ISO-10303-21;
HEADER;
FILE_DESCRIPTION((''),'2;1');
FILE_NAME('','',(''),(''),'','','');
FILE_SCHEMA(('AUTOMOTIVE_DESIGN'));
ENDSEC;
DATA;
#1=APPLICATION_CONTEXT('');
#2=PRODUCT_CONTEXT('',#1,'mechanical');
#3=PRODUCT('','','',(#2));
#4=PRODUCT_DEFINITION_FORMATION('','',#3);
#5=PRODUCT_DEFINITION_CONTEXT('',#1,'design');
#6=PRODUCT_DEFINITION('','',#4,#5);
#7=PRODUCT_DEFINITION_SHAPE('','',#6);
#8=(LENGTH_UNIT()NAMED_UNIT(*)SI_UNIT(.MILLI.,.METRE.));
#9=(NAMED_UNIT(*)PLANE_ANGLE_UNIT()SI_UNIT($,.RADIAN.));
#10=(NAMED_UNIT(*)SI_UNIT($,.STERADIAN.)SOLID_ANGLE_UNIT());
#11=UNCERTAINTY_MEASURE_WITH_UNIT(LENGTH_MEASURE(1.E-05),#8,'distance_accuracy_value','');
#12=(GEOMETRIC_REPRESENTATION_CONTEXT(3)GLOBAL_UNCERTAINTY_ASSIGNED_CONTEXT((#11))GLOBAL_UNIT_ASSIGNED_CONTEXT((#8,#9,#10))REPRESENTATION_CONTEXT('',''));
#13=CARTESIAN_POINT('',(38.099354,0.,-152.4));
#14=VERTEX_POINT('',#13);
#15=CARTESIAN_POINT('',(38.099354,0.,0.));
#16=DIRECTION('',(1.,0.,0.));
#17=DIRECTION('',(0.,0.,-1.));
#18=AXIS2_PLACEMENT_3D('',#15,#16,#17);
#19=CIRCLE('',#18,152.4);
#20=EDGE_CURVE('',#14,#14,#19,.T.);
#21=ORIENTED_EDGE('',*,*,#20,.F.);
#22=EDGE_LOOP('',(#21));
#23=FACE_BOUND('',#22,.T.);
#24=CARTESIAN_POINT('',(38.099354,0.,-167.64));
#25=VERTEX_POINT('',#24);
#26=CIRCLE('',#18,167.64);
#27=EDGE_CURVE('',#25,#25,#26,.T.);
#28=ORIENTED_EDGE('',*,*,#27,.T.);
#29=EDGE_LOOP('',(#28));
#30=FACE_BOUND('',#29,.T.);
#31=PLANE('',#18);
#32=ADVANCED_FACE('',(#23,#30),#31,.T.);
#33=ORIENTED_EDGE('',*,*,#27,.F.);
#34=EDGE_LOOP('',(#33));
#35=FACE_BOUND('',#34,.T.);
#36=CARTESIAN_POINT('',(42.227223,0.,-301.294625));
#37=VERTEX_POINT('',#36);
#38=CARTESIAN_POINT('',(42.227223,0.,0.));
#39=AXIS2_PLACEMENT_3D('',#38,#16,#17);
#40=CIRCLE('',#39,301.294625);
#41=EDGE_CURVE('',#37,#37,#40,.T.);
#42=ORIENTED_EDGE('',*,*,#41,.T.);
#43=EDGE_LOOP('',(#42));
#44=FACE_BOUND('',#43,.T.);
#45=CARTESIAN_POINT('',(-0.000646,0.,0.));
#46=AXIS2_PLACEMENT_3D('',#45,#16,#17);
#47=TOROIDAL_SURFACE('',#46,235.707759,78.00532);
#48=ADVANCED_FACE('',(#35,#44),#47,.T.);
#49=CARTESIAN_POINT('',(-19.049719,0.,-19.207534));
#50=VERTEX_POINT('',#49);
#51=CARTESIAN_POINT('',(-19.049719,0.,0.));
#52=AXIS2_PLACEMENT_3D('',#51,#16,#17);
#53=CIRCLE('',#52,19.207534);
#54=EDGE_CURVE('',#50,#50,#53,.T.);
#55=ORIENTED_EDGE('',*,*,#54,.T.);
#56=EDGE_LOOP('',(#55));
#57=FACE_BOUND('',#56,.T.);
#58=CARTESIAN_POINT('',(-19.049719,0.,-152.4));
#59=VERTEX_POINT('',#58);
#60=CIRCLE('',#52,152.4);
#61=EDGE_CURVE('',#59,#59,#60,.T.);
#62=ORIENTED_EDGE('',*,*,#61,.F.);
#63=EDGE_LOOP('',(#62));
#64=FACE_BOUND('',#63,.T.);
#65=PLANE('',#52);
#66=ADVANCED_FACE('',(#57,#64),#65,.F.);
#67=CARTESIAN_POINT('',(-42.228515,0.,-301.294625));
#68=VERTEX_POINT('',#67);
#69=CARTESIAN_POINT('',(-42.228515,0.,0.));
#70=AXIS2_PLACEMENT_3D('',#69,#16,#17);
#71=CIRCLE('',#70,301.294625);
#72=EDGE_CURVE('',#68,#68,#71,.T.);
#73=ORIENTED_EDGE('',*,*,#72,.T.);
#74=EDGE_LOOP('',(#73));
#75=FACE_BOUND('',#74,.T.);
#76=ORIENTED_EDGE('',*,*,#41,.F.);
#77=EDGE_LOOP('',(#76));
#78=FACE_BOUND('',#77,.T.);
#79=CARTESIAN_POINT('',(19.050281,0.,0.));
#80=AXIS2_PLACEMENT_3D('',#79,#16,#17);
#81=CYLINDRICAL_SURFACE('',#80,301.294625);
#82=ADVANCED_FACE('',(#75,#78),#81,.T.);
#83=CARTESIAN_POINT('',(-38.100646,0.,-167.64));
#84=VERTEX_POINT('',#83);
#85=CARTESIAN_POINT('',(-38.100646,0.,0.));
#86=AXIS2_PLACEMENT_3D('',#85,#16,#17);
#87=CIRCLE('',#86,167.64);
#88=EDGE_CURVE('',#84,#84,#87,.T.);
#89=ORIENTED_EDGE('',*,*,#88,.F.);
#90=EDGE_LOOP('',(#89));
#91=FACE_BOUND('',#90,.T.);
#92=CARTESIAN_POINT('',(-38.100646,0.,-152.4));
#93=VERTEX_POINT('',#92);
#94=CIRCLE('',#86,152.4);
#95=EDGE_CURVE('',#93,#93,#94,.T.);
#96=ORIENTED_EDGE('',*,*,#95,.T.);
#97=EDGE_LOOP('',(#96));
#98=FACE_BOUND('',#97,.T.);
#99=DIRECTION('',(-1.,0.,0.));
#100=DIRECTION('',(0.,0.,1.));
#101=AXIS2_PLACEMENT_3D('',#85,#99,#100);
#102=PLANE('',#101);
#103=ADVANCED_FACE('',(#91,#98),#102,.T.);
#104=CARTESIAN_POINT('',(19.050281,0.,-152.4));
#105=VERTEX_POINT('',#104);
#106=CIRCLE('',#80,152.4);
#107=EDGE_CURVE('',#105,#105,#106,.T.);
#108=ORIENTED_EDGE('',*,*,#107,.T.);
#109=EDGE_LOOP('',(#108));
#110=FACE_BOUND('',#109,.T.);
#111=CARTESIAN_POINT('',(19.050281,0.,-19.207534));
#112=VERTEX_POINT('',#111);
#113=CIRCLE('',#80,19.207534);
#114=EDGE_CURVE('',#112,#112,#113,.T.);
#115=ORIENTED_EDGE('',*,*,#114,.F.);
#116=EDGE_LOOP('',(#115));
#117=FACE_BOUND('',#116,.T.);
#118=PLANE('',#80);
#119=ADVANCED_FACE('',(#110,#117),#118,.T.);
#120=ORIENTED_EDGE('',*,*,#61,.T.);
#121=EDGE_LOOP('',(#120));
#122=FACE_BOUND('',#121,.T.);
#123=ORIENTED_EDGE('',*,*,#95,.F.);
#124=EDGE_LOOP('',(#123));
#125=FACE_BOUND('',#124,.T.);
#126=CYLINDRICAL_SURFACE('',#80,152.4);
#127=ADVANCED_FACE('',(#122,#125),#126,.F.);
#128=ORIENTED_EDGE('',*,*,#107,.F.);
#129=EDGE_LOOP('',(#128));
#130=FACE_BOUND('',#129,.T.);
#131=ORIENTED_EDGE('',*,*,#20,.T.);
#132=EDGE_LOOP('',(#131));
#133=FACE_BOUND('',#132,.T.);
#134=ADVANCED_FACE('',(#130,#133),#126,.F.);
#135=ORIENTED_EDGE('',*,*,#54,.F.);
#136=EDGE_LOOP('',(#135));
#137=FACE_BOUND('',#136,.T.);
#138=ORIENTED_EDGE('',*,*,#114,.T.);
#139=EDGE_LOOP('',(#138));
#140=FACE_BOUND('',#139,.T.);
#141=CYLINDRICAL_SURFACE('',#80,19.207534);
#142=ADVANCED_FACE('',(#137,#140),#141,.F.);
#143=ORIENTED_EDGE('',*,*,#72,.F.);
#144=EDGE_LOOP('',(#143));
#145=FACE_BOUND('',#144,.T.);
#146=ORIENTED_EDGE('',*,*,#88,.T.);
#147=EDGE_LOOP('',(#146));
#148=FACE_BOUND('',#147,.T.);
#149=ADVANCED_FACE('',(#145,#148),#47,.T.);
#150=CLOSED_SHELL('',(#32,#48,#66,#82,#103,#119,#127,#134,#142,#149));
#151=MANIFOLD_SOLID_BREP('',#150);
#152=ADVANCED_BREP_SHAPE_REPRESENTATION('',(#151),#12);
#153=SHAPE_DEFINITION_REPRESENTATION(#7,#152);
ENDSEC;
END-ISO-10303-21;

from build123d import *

# Parameters (mm, degrees)
SCALE1_SCALE = 1.5


with BuildPart() as part:
    # Sketch1 → Revolve1 (revolve)
    with BuildSketch(Plane.XY, mode=Mode.PRIVATE) as revolve1_sk:
        with BuildLine():
            Line((12.7, 12.80502263), (12.7, 101.6))
            Line((12.7, 101.6), (25.399381994, 101.6))
            Line((25.399381994, 101.6), (25.399381994, 111.76))
            ThreePointArc((25.399381994, 111.76), (51.978144098, 155.533163358), (28.151294552, 200.863083566))
            Line((28.151294552, 200.863083566), (-0.000618006, 200.863083566))
            Line((-0.000618006, 200.863083566), (-28.152530564, 200.863083566))
            ThreePointArc((-28.152530564, 200.863083566), (-51.97938011, 155.533163358), (-25.400618006, 111.76))
            Line((-25.400618006, 111.76), (-25.400618006, 101.6))
            Line((-25.400618006, 101.6), (-12.7, 101.6))
            Line((-12.7, 101.6), (-12.7, 12.80502263))
            Line((-12.7, 12.80502263), (12.7, 12.80502263))
        make_face()
    revolve(revolve1_sk.sketch.rotate(Axis((12.7, 0, 0), (-1, 0, 0)), 90), axis=Axis((12.7, 0, 0), (-1, 0, 0)))


with BuildPart() as part_1:
    # Scale1: scaled about (-0.000562241, 0, 0)
    add(part.part.scale(SCALE1_SCALE).moved(Location((0.00028112, 0, 0))))


solid = part_1.part
